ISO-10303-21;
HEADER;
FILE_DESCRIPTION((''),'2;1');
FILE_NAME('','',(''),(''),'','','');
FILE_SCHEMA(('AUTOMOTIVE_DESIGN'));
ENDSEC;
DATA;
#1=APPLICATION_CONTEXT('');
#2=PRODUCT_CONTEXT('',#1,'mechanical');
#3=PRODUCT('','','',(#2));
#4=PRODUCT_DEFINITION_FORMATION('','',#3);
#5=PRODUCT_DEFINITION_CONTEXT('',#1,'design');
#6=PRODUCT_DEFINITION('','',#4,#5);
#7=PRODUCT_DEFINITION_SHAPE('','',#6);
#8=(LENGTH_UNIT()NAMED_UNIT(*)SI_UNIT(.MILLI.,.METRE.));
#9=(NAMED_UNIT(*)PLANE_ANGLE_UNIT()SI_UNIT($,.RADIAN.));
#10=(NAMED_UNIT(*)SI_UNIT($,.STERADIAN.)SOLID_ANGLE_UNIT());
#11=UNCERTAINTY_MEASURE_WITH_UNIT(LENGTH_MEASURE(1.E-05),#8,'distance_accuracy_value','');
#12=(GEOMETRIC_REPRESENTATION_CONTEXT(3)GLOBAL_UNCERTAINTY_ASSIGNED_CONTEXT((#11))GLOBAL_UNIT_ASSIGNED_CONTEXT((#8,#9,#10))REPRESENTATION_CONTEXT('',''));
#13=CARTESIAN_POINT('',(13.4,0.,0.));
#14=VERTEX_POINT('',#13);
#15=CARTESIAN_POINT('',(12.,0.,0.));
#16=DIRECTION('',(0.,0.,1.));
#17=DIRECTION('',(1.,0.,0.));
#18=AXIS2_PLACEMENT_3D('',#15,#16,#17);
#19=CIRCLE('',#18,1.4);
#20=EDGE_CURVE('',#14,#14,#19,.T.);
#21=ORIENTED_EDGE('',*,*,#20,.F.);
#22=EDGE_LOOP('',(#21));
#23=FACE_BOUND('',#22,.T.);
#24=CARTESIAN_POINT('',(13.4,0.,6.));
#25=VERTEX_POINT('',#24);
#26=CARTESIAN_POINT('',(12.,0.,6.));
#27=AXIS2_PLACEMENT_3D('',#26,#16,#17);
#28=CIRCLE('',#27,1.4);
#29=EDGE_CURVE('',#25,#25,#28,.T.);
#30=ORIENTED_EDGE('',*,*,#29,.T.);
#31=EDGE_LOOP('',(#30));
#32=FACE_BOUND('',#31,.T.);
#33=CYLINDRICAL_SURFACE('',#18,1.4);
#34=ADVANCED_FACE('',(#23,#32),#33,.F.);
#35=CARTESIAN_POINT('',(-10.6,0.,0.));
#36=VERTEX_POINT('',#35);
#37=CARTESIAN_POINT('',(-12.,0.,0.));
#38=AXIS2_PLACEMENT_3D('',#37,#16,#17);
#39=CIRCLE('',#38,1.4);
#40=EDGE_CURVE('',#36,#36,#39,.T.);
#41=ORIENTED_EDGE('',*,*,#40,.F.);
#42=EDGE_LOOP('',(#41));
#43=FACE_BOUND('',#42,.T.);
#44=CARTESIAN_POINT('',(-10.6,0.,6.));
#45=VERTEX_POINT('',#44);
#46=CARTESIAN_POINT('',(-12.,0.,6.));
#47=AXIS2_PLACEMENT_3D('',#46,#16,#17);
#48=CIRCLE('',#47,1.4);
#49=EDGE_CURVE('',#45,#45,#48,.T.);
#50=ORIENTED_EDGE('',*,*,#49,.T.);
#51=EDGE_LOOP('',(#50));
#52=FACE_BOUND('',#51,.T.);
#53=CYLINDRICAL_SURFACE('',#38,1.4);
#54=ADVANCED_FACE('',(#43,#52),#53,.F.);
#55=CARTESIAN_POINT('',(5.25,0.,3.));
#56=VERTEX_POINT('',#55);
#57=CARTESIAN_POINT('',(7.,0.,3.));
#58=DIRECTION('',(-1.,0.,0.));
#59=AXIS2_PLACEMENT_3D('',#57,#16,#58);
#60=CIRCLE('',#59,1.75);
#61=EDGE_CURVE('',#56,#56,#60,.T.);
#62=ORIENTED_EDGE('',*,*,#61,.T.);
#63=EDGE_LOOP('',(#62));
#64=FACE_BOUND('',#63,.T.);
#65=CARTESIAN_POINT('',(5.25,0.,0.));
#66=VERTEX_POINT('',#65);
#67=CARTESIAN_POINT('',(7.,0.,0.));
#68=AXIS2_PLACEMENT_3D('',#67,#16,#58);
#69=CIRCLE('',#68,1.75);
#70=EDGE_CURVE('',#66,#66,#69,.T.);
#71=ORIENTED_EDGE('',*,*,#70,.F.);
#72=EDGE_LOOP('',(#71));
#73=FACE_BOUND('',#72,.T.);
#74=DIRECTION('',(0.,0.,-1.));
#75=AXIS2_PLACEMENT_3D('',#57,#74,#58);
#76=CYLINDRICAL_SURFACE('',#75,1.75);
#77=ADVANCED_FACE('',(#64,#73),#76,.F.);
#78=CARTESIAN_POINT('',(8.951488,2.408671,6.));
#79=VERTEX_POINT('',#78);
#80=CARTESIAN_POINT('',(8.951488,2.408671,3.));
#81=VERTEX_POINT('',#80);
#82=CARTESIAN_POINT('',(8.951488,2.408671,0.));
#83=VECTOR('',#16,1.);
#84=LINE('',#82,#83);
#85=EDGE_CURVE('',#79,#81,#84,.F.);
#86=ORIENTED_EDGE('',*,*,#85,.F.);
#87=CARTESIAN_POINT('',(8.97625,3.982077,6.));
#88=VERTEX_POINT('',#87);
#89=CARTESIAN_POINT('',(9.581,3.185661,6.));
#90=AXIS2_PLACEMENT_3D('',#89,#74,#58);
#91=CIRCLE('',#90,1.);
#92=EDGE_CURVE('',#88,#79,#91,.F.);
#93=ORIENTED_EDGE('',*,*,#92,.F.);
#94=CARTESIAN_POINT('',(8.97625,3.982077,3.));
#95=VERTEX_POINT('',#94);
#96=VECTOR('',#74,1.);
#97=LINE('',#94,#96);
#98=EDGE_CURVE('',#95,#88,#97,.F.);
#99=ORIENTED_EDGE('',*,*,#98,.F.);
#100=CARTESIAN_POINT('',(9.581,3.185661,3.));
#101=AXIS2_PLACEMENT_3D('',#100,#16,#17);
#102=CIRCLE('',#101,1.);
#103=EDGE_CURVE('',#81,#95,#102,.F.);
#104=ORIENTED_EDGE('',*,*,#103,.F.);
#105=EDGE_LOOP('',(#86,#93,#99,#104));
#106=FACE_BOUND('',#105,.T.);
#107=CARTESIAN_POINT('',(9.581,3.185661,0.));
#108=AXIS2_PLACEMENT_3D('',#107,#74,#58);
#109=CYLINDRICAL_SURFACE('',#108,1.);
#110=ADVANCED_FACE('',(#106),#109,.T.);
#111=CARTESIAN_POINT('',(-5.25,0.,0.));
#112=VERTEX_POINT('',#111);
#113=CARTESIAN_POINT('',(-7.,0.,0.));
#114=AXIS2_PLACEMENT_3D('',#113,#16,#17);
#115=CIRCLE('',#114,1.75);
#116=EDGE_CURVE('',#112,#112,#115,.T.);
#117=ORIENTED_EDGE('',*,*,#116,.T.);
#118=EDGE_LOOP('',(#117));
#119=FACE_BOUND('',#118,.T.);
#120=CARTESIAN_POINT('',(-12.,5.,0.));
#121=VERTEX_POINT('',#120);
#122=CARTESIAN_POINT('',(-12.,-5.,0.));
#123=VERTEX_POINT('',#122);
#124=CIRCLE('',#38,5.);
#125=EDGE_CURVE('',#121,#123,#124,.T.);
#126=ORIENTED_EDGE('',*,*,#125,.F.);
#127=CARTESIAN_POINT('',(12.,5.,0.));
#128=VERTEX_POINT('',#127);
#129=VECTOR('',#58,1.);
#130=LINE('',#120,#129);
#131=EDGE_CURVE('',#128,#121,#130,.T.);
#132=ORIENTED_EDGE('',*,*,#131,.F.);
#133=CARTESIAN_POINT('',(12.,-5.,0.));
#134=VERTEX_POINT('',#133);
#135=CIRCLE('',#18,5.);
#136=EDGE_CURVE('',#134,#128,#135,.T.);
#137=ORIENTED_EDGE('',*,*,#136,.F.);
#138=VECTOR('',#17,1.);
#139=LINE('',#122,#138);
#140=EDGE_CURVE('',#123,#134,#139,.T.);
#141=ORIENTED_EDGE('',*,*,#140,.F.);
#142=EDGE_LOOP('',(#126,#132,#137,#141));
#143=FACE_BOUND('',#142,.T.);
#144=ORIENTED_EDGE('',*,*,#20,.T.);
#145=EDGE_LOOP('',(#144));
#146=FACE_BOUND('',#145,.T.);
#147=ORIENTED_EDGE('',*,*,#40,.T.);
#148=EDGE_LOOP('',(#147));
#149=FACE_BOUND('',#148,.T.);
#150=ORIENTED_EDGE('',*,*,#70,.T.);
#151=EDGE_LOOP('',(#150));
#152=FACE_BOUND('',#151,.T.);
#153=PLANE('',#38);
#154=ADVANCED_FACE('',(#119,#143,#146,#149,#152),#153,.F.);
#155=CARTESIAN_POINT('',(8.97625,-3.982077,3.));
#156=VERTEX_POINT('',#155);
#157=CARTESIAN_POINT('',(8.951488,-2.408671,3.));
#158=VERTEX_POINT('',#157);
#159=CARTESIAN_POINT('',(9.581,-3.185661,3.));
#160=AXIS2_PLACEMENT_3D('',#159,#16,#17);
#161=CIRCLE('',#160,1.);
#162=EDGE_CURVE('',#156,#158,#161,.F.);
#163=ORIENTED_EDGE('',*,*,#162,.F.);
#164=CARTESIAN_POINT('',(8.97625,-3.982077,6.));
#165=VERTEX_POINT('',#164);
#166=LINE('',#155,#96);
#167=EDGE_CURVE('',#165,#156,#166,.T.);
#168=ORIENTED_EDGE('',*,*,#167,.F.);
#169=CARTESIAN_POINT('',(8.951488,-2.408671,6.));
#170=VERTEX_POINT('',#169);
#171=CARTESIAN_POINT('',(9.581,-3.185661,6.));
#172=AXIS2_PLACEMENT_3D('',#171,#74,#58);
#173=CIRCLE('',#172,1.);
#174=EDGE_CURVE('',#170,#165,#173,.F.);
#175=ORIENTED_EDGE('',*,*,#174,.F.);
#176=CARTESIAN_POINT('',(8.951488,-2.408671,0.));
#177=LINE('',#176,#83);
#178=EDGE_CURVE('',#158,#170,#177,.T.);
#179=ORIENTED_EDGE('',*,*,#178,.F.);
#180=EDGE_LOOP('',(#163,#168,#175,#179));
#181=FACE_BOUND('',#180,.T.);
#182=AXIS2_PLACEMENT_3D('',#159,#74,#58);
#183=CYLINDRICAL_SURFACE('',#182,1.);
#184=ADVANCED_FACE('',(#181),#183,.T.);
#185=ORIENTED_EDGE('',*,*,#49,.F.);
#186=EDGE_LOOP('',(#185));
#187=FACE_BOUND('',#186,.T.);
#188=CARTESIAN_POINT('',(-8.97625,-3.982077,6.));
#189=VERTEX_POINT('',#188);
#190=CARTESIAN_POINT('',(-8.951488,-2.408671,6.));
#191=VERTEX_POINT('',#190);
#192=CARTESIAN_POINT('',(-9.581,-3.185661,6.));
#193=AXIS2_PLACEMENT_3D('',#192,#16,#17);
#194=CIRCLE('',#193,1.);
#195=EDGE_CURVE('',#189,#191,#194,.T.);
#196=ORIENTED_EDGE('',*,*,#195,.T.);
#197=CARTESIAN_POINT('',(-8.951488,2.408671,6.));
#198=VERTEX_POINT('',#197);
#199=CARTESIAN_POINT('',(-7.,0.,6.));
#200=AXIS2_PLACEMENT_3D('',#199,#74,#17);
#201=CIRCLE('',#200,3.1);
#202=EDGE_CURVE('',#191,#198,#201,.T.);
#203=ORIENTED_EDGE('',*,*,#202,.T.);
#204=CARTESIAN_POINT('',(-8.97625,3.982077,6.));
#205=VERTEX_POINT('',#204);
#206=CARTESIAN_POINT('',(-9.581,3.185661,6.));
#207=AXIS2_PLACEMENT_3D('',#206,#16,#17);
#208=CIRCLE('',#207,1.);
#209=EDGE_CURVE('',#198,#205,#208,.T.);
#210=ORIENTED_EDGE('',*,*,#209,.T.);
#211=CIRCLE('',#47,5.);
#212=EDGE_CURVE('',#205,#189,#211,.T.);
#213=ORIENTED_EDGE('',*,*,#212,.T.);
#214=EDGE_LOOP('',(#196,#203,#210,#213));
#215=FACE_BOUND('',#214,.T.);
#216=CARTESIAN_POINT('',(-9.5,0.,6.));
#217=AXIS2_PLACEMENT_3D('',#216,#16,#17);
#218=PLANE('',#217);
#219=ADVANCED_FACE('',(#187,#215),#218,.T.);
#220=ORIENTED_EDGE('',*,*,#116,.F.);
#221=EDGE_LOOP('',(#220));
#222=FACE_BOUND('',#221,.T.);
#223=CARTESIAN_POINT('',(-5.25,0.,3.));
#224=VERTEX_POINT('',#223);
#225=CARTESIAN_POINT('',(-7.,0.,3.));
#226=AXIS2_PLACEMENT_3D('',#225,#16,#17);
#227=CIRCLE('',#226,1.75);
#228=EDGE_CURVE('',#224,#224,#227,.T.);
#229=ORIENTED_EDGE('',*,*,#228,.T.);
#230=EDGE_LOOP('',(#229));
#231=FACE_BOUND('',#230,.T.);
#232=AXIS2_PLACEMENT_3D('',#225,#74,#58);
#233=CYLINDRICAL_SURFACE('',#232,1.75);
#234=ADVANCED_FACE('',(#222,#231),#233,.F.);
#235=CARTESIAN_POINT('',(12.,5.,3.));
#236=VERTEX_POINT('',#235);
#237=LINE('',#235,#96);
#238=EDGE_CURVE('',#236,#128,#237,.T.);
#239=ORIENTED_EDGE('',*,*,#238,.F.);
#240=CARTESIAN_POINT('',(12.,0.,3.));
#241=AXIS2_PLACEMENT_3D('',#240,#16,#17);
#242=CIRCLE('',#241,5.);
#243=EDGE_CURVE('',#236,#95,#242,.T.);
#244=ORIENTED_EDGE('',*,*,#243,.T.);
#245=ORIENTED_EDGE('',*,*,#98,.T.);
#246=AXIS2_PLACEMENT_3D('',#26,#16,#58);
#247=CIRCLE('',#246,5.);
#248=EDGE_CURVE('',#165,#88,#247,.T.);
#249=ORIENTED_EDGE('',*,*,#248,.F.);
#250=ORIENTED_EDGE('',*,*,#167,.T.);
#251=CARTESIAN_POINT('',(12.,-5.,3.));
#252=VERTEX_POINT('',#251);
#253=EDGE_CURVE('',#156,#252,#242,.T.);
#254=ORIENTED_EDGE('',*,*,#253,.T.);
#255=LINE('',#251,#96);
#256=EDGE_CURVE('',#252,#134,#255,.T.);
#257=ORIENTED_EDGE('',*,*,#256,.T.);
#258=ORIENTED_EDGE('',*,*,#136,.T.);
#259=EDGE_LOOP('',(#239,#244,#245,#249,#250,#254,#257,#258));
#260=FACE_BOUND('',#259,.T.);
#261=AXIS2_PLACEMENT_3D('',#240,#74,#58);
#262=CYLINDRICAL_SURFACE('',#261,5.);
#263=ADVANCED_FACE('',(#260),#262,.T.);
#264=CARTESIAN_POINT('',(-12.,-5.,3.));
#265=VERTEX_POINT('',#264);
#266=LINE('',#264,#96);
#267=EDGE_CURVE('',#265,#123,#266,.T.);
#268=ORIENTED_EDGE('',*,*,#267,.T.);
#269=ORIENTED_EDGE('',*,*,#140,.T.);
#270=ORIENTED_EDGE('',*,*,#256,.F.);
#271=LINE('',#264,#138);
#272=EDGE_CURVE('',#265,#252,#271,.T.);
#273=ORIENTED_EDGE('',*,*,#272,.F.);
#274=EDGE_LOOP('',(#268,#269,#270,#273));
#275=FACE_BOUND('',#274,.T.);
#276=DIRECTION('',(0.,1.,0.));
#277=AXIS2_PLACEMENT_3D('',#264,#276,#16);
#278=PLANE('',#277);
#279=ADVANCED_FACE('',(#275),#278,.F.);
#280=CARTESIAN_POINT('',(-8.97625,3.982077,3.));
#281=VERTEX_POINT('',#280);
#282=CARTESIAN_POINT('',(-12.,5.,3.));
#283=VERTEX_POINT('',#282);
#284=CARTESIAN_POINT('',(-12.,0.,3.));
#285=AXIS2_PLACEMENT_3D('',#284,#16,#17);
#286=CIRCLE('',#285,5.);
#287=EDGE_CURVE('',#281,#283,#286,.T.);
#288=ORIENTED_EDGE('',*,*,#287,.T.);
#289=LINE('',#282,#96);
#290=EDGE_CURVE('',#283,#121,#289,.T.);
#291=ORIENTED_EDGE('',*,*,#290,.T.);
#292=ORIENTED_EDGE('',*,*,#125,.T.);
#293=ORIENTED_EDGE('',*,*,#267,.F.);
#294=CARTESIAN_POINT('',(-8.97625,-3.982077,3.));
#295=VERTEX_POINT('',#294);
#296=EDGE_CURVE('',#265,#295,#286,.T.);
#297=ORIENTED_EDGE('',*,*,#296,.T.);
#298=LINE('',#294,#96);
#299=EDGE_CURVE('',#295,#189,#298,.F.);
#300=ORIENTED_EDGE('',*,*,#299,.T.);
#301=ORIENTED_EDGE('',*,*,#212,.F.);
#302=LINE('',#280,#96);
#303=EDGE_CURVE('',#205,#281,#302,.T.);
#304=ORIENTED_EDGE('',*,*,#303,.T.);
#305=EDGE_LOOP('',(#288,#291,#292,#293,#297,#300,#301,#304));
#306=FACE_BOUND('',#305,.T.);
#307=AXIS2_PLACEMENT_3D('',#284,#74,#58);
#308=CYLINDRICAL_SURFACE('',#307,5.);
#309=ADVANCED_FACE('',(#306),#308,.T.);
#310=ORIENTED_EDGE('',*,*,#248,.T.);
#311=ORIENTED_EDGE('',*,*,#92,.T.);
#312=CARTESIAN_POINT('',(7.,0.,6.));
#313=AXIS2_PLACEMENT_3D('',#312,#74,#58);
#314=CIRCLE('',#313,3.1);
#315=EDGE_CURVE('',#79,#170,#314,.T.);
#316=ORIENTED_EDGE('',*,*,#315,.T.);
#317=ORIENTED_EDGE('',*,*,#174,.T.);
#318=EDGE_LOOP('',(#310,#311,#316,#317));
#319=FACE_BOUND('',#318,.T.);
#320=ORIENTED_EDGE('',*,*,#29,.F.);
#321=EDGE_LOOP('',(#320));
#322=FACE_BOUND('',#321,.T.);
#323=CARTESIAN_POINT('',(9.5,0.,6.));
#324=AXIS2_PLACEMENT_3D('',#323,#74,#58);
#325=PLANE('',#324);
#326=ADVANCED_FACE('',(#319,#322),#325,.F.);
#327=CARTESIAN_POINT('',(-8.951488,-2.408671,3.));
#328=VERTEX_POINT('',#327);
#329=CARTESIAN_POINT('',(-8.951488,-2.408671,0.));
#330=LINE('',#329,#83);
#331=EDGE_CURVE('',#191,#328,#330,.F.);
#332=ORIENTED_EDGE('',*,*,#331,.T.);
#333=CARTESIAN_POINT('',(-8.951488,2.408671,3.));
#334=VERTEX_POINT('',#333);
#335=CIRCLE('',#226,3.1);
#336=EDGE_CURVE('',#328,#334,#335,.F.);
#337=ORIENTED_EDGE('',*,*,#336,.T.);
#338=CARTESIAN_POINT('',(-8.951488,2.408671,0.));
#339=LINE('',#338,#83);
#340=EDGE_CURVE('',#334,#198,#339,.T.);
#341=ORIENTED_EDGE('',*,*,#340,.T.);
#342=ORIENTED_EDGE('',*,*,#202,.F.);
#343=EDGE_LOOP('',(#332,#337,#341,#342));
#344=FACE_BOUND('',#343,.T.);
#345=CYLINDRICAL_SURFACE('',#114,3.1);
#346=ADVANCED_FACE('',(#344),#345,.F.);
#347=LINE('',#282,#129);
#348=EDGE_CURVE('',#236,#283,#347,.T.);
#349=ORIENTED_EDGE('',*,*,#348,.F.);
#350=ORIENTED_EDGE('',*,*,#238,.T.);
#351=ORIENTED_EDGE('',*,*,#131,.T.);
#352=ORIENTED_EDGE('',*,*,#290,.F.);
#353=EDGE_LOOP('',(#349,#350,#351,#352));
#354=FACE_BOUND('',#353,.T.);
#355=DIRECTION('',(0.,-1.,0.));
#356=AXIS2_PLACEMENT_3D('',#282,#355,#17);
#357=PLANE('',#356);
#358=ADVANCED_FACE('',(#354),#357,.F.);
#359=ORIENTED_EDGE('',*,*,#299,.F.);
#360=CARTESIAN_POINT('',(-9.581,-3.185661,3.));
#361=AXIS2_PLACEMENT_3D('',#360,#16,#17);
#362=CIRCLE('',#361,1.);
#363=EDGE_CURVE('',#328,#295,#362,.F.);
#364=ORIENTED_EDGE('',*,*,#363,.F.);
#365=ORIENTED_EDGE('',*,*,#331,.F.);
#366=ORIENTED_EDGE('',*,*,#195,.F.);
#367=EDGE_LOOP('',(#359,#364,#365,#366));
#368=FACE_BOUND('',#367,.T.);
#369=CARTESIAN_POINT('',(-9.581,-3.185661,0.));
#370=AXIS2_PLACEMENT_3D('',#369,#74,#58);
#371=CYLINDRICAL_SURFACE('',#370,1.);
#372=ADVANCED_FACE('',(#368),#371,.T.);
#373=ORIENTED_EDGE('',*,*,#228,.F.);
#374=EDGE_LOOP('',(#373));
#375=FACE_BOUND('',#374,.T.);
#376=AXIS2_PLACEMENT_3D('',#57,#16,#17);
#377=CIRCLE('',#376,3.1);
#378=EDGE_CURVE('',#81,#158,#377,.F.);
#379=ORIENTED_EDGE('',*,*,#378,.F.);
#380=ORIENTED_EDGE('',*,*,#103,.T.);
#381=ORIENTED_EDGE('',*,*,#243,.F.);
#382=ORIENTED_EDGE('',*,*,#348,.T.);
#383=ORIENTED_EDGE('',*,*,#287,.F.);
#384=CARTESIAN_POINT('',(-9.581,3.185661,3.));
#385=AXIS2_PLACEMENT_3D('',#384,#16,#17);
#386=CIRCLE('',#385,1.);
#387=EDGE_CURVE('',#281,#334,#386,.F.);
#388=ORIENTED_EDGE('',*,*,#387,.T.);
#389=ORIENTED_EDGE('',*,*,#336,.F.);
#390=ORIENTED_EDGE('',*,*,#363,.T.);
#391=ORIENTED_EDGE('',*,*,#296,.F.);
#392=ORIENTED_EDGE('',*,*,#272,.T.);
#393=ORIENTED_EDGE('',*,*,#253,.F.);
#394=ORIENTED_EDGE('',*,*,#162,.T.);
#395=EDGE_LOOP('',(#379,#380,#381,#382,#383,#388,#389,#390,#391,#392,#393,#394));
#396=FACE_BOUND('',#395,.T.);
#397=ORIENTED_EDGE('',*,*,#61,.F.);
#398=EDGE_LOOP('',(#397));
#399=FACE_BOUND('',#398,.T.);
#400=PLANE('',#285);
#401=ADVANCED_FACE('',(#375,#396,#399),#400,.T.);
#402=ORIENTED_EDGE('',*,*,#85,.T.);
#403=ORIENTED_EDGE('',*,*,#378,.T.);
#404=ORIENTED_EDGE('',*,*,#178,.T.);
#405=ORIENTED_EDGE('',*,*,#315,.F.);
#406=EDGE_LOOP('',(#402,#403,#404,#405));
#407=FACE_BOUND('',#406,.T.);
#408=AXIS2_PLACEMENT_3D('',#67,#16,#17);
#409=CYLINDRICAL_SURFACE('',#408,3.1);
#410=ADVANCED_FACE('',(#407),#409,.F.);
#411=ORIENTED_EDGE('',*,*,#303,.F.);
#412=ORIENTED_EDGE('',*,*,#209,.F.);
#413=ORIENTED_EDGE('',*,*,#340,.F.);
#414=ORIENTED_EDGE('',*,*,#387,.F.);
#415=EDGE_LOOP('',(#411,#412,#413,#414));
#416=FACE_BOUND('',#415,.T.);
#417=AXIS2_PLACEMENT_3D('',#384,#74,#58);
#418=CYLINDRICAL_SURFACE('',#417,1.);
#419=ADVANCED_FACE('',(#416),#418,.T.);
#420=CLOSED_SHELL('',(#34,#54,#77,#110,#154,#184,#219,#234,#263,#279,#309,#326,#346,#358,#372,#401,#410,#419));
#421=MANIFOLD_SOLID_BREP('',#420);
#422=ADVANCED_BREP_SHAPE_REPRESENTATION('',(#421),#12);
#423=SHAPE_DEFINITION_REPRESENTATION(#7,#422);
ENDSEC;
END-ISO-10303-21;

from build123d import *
from build123d.topology import SkipClean

# Parameters (mm, degrees)
SKETCH1_R                = 1.75
BOSS_EXTRUDE1_DEPTH      = 3
BOSS_EXTRUDE2_DEPTH      = 3
BOSS_EXTRUDE2_DEPTH_BACK = 3
SKETCH2_R                = 1.4
FILLET1_R                = 1


with BuildPart() as part:
    # Sketch1 → Boss-Extrude1 (new body)
    with BuildSketch(Plane.XY):
        with BuildLine():
            Line((-12, 5), (12, 5))
            ThreePointArc((12, 5), (17, 0), (12, -5))
            Line((12, -5), (-12, -5))
            ThreePointArc((-12, -5), (-17, 0), (-12, 5))
        make_face()
        with Locations((-7, 0)):
            Circle(SKETCH1_R, mode=Mode.SUBTRACT)
        with Locations((-12, 0)):
            Circle(SKETCH1_R, mode=Mode.SUBTRACT)
        with Locations((12, 0)):
            Circle(SKETCH1_R, mode=Mode.SUBTRACT)
        with Locations((7, 0)):
            Circle(SKETCH1_R, mode=Mode.SUBTRACT)
    extrude(amount=BOSS_EXTRUDE1_DEPTH)

    # Sketch2 → Boss-Extrude2 (add, two sides: drawn at the far end of the back side and taken through both)
    # profile 1 of 2: a face of its own
    with SkipClean():  # the faces are left unmerged after this step: merging them gives an invalid solid
        with BuildSketch(Plane.XY.offset(3).offset(-BOSS_EXTRUDE2_DEPTH_BACK)):
            with BuildLine():
                ThreePointArc((-7.961, 2.947283), (-17, 0), (-7.961, -2.947283))
                ThreePointArc((-7.961, -2.947283), (-10.1, 0), (-7.961, 2.947283))
            make_face()
            with Locations((-12, 0)):
                Circle(SKETCH2_R, mode=Mode.SUBTRACT)
        # profile 2 of 2: a face of its own
        with BuildSketch(Plane.XY.offset(3).offset(-BOSS_EXTRUDE2_DEPTH_BACK)):
            with BuildLine():
                ThreePointArc((7.961, 2.947283), (10.1, 0), (7.961, -2.947283))
                ThreePointArc((7.961, -2.947283), (17, 0), (7.961, 2.947283))
            make_face()
            with Locations((12, 0)):
                Circle(SKETCH2_R, mode=Mode.SUBTRACT)
        extrude(amount=BOSS_EXTRUDE2_DEPTH + BOSS_EXTRUDE2_DEPTH_BACK)

    # Fillet1
    fillet1_edges = [part.edges().sort_by_distance(p)[0] for p in [
        (7.961, 2.947283, 4.5),
        (7.961, -2.947283, 4.5),
        (-7.961, -2.947283, 4.5),
        (-7.961, 2.947283, 4.5),
    ]]
    fillet(fillet1_edges, radius=FILLET1_R)


solid = part.part
